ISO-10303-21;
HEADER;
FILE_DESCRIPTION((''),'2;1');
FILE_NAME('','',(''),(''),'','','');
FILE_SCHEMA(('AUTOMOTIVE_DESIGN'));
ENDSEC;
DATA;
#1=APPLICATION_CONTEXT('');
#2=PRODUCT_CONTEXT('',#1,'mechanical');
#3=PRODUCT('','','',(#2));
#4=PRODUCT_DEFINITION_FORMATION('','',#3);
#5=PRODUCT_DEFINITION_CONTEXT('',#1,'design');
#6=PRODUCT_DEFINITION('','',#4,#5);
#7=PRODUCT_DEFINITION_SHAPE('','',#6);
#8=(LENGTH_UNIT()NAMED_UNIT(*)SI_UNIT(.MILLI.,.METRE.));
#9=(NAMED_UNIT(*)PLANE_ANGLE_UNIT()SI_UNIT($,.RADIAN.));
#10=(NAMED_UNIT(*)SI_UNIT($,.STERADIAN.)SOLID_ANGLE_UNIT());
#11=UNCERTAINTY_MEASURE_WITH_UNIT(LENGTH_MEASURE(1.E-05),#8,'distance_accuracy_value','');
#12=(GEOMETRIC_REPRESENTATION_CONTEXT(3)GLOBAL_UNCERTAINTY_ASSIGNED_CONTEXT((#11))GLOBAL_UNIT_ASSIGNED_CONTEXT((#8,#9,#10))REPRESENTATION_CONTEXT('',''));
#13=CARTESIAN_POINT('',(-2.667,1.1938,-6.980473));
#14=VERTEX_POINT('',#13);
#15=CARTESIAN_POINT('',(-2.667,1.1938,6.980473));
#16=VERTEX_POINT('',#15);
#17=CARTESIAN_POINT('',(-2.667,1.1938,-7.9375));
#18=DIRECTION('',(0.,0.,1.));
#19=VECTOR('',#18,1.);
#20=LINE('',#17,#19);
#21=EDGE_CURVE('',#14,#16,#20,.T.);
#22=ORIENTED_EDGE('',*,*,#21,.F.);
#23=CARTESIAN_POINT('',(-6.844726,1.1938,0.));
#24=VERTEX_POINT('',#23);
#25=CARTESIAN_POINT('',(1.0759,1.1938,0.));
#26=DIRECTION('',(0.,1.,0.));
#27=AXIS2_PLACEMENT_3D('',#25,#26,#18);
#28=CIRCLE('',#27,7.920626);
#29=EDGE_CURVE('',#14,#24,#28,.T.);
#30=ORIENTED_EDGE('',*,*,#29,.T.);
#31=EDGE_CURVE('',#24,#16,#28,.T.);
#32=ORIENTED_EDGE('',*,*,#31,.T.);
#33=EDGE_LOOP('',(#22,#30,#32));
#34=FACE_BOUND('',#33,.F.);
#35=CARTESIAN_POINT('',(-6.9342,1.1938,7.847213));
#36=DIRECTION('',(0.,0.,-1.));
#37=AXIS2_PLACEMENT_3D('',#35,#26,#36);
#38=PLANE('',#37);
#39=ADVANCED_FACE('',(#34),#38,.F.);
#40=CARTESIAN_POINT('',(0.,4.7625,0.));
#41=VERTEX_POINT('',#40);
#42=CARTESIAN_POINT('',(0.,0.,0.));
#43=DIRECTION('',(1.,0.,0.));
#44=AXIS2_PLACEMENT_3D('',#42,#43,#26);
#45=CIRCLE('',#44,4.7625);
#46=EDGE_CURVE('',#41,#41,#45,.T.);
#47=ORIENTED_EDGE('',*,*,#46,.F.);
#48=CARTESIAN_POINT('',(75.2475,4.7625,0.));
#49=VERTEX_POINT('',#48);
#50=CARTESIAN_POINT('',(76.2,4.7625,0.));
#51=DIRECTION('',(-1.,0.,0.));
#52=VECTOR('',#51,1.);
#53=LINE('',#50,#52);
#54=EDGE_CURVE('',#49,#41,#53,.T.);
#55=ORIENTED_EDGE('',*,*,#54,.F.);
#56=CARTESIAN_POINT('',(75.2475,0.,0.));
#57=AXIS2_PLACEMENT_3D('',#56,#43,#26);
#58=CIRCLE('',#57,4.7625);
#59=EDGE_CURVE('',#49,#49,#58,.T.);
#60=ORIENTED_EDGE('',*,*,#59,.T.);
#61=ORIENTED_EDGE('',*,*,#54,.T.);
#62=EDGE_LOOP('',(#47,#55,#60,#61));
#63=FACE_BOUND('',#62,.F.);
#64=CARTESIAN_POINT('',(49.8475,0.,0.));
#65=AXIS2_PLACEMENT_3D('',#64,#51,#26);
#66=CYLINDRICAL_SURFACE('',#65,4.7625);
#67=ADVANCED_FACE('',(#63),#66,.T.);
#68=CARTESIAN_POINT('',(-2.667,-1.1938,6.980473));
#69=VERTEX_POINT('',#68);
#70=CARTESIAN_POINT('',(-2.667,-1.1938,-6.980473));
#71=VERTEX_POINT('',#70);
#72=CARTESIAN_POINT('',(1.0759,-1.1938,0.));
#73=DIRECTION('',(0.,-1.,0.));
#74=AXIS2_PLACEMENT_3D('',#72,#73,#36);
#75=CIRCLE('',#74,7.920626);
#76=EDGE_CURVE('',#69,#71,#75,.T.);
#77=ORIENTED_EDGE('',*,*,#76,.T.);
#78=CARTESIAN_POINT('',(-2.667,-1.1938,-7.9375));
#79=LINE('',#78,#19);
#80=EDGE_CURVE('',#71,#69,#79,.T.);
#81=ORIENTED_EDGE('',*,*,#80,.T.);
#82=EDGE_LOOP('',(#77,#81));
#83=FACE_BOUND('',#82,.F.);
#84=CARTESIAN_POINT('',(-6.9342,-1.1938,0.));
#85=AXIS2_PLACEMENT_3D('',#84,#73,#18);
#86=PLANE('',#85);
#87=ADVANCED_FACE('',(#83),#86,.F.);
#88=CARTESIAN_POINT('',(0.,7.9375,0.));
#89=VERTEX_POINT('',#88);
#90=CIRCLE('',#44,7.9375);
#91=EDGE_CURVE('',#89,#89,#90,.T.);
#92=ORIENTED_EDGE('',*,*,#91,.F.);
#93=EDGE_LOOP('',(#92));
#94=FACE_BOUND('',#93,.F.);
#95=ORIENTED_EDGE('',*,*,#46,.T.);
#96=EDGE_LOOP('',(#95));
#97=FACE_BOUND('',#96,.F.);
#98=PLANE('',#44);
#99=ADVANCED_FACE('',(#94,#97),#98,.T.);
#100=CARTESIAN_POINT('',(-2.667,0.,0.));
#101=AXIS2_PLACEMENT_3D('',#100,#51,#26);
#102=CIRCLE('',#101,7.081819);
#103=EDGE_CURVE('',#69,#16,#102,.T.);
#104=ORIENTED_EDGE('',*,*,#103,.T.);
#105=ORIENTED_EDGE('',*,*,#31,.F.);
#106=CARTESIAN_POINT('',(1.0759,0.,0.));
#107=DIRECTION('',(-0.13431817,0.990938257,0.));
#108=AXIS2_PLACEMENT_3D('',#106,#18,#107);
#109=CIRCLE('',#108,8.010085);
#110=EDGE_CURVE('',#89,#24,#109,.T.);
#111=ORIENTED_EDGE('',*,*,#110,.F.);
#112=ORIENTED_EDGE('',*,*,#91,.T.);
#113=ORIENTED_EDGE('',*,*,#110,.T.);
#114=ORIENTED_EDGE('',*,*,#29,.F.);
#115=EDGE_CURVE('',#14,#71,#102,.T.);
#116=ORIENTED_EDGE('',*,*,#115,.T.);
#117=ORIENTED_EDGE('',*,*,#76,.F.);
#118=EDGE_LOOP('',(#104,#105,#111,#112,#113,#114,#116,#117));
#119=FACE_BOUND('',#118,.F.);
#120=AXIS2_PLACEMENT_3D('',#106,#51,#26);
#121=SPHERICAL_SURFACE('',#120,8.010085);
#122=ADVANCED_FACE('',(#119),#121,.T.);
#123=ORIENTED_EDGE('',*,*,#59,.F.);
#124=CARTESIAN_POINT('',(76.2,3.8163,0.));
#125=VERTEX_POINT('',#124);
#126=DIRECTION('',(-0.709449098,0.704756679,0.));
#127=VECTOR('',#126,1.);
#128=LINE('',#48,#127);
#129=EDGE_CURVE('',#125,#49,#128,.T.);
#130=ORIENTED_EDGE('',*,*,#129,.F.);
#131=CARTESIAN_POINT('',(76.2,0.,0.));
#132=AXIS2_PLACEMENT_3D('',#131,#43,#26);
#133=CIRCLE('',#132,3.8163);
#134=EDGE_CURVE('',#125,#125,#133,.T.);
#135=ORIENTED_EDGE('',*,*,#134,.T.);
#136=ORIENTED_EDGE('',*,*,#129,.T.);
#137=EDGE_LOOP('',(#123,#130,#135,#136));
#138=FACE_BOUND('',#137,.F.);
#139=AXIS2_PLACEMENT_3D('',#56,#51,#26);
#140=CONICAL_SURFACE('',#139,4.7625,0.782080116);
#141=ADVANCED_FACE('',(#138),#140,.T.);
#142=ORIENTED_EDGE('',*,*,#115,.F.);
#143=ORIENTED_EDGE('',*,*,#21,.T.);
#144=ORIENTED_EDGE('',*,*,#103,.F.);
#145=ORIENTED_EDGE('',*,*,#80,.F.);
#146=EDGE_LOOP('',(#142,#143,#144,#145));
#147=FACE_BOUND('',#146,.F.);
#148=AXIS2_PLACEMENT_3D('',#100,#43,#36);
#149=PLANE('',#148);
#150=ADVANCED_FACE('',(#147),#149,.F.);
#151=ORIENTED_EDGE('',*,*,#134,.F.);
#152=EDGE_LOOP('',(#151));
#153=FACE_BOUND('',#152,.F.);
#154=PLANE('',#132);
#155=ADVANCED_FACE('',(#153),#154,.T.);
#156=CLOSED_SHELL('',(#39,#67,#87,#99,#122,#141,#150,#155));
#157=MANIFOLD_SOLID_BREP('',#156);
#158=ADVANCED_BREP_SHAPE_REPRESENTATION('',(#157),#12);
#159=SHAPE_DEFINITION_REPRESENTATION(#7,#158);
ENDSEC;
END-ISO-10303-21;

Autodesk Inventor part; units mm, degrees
ref_plane "YZ Plane" through (0, 0, 0) normal (1, 0, 0) x (0, 1, 0)
sketch "Sketch1" plane through (0, 0, 0) normal (0, 0, 1) x (1, 0, 0)
  line L0 (-6.9342, 0) -> (76.2, 0)
  line L1 (76.2, 0) -> (76.2, 4.7625)
  line L2 (76.2, 4.7625) -> (50.8, 4.7625)
  line L3 (50.8, 4.7625) -> (49.8475, 4.7625)
  line L4 (49.8475, 4.7625) -> (0, 4.7625)
  line L5 (0, 4.7625) -> (0, 7.9375)
  line L6 (-23.561, 0) -> (92.8268, 0) projected
  line L7 (0, -11.1125) -> (0, 11.1125) projected
  line L8 (0, -4.7625) -> (0, -7.9375) construction
  arc A0 (0, 7.9375) -> (0, -7.9375) centre (1.0759, 0) ccw
  line L9 (50.8, 4.7625) -> (0, 4.7625) construction
  dimension "d0" = 76.2
  dimension "d1" = 25.4
  dimension "d2" = 0.9525
  dimension "d3" = 6.9342
  dimension "d4" = 9.525
  dimension "d5" = 9.525
  dimension "d16" = 15.875
revolve "Body" add sketch "Sketch1" angle 360 about axis through (-6.9342, 0, 0) along (1, 0, 0) contours A0 L5 L7 L0 | L7 L4 L3 L2 L1 L0
ref_plane "IDS_WORKPLANE{1}" through (-6.9342, 0, 0) normal (1, 0, 0) x (0, 0, -1)
sketch "Sketch2" plane through (-6.9342, 0, 0) normal (1, 0, 0) x (0, 0, -1)
  line L0 (0, -11.1125) -> (0, 11.1125) projected
  line L1 (11.1125, 0) -> (-11.1125, 0) projected
  line L2 (-7.9375, 1.1938) -> (7.9375, 1.1938)
  line L3 (7.9375, 1.1938) -> (7.9375, -1.1938)
  line L4 (7.9375, -1.1938) -> (-7.9375, -1.1938)
  line L5 (-7.9375, -1.1938) -> (-7.9375, 1.1938)
  line L6 (-7.9375, 0) -> (7.9375, 0) construction
  line L7 (0, 1.1938) -> (0, -1.1938) construction
  circle A0 centre (0, 0) radius 7.9375 projected
  dimension "d18" = 2.3876
extrude "Slot" cut sketch "Sketch2" along normal blind 4.2672 contours L4 A0 L1 L0 | L0 L1 A0 L4 | L4 L5 A0 | A0 L3 L4 | L1 A0 L2 L0 | L0 L2 A0 L1 | L5 L2 A0 | A0 L2 L3
thread "Thread" size "3/8-16 UNC" class "2A" standard "ANSI Unified Screw Threads" length 25.4
chamfer "Chamfer1" distance 0.9462 distance2 0.9525 1 edges at (76.2, -4.7625, 0) measured on face at (76.2, 0.2765, -0.8749)
ref_plane "Work Plane2" through (41.275, 0, 0) normal (0, 0, -1) x (1, 0, 0)
equation "\"d0\" = NLG"
equation "\"d1\" = GEL"
equation "\"d2\" = GAL"
equation "\"d3\" = KOH"
equation "\"d4\" = GD"
equation "\"d5\" = BDM"
equation "\"d16\" = KOD"
equation "\"d18\" = SBR"
equation "\"d19\" = STI"
equation "\"d9\" = GEL"
equation "\"d11\" = -0.5 * SPD + 0.5 * GD"
equation "\"d12\" = GUL"
equation "\"GD\" = NND"
equation "\"NLG\" = 76.2"
equation "\"GEL\" = 25.4"
equation "\"KOD\" = 15.875"
equation "\"KOH\" = 6.9342"
equation "\"GAL\" = 0.9525"
equation "\"SPD\" = GD1"
equation "\"BDM\" = NND"
equation "\"GUL\" = GAL"
equation "\"STI\" = 4.2672"
equation "\"SBR\" = 2.3876"
equation "\"d17\" = -KOH"
equation "\"KR\" = KOH"
equation "\"THREADDIA\" = 9.525"
equation "\"TOA\" = 30deg"
equation "\"RR\" = 0.7874"
equation "\"NND\" = 9.525"
equation "\"GD1\" = 7.6327"
properties part number "ANSI B18.6.2 - 3/8-16 UNC - 3, SRHCSI" material "Steel, Mild"
